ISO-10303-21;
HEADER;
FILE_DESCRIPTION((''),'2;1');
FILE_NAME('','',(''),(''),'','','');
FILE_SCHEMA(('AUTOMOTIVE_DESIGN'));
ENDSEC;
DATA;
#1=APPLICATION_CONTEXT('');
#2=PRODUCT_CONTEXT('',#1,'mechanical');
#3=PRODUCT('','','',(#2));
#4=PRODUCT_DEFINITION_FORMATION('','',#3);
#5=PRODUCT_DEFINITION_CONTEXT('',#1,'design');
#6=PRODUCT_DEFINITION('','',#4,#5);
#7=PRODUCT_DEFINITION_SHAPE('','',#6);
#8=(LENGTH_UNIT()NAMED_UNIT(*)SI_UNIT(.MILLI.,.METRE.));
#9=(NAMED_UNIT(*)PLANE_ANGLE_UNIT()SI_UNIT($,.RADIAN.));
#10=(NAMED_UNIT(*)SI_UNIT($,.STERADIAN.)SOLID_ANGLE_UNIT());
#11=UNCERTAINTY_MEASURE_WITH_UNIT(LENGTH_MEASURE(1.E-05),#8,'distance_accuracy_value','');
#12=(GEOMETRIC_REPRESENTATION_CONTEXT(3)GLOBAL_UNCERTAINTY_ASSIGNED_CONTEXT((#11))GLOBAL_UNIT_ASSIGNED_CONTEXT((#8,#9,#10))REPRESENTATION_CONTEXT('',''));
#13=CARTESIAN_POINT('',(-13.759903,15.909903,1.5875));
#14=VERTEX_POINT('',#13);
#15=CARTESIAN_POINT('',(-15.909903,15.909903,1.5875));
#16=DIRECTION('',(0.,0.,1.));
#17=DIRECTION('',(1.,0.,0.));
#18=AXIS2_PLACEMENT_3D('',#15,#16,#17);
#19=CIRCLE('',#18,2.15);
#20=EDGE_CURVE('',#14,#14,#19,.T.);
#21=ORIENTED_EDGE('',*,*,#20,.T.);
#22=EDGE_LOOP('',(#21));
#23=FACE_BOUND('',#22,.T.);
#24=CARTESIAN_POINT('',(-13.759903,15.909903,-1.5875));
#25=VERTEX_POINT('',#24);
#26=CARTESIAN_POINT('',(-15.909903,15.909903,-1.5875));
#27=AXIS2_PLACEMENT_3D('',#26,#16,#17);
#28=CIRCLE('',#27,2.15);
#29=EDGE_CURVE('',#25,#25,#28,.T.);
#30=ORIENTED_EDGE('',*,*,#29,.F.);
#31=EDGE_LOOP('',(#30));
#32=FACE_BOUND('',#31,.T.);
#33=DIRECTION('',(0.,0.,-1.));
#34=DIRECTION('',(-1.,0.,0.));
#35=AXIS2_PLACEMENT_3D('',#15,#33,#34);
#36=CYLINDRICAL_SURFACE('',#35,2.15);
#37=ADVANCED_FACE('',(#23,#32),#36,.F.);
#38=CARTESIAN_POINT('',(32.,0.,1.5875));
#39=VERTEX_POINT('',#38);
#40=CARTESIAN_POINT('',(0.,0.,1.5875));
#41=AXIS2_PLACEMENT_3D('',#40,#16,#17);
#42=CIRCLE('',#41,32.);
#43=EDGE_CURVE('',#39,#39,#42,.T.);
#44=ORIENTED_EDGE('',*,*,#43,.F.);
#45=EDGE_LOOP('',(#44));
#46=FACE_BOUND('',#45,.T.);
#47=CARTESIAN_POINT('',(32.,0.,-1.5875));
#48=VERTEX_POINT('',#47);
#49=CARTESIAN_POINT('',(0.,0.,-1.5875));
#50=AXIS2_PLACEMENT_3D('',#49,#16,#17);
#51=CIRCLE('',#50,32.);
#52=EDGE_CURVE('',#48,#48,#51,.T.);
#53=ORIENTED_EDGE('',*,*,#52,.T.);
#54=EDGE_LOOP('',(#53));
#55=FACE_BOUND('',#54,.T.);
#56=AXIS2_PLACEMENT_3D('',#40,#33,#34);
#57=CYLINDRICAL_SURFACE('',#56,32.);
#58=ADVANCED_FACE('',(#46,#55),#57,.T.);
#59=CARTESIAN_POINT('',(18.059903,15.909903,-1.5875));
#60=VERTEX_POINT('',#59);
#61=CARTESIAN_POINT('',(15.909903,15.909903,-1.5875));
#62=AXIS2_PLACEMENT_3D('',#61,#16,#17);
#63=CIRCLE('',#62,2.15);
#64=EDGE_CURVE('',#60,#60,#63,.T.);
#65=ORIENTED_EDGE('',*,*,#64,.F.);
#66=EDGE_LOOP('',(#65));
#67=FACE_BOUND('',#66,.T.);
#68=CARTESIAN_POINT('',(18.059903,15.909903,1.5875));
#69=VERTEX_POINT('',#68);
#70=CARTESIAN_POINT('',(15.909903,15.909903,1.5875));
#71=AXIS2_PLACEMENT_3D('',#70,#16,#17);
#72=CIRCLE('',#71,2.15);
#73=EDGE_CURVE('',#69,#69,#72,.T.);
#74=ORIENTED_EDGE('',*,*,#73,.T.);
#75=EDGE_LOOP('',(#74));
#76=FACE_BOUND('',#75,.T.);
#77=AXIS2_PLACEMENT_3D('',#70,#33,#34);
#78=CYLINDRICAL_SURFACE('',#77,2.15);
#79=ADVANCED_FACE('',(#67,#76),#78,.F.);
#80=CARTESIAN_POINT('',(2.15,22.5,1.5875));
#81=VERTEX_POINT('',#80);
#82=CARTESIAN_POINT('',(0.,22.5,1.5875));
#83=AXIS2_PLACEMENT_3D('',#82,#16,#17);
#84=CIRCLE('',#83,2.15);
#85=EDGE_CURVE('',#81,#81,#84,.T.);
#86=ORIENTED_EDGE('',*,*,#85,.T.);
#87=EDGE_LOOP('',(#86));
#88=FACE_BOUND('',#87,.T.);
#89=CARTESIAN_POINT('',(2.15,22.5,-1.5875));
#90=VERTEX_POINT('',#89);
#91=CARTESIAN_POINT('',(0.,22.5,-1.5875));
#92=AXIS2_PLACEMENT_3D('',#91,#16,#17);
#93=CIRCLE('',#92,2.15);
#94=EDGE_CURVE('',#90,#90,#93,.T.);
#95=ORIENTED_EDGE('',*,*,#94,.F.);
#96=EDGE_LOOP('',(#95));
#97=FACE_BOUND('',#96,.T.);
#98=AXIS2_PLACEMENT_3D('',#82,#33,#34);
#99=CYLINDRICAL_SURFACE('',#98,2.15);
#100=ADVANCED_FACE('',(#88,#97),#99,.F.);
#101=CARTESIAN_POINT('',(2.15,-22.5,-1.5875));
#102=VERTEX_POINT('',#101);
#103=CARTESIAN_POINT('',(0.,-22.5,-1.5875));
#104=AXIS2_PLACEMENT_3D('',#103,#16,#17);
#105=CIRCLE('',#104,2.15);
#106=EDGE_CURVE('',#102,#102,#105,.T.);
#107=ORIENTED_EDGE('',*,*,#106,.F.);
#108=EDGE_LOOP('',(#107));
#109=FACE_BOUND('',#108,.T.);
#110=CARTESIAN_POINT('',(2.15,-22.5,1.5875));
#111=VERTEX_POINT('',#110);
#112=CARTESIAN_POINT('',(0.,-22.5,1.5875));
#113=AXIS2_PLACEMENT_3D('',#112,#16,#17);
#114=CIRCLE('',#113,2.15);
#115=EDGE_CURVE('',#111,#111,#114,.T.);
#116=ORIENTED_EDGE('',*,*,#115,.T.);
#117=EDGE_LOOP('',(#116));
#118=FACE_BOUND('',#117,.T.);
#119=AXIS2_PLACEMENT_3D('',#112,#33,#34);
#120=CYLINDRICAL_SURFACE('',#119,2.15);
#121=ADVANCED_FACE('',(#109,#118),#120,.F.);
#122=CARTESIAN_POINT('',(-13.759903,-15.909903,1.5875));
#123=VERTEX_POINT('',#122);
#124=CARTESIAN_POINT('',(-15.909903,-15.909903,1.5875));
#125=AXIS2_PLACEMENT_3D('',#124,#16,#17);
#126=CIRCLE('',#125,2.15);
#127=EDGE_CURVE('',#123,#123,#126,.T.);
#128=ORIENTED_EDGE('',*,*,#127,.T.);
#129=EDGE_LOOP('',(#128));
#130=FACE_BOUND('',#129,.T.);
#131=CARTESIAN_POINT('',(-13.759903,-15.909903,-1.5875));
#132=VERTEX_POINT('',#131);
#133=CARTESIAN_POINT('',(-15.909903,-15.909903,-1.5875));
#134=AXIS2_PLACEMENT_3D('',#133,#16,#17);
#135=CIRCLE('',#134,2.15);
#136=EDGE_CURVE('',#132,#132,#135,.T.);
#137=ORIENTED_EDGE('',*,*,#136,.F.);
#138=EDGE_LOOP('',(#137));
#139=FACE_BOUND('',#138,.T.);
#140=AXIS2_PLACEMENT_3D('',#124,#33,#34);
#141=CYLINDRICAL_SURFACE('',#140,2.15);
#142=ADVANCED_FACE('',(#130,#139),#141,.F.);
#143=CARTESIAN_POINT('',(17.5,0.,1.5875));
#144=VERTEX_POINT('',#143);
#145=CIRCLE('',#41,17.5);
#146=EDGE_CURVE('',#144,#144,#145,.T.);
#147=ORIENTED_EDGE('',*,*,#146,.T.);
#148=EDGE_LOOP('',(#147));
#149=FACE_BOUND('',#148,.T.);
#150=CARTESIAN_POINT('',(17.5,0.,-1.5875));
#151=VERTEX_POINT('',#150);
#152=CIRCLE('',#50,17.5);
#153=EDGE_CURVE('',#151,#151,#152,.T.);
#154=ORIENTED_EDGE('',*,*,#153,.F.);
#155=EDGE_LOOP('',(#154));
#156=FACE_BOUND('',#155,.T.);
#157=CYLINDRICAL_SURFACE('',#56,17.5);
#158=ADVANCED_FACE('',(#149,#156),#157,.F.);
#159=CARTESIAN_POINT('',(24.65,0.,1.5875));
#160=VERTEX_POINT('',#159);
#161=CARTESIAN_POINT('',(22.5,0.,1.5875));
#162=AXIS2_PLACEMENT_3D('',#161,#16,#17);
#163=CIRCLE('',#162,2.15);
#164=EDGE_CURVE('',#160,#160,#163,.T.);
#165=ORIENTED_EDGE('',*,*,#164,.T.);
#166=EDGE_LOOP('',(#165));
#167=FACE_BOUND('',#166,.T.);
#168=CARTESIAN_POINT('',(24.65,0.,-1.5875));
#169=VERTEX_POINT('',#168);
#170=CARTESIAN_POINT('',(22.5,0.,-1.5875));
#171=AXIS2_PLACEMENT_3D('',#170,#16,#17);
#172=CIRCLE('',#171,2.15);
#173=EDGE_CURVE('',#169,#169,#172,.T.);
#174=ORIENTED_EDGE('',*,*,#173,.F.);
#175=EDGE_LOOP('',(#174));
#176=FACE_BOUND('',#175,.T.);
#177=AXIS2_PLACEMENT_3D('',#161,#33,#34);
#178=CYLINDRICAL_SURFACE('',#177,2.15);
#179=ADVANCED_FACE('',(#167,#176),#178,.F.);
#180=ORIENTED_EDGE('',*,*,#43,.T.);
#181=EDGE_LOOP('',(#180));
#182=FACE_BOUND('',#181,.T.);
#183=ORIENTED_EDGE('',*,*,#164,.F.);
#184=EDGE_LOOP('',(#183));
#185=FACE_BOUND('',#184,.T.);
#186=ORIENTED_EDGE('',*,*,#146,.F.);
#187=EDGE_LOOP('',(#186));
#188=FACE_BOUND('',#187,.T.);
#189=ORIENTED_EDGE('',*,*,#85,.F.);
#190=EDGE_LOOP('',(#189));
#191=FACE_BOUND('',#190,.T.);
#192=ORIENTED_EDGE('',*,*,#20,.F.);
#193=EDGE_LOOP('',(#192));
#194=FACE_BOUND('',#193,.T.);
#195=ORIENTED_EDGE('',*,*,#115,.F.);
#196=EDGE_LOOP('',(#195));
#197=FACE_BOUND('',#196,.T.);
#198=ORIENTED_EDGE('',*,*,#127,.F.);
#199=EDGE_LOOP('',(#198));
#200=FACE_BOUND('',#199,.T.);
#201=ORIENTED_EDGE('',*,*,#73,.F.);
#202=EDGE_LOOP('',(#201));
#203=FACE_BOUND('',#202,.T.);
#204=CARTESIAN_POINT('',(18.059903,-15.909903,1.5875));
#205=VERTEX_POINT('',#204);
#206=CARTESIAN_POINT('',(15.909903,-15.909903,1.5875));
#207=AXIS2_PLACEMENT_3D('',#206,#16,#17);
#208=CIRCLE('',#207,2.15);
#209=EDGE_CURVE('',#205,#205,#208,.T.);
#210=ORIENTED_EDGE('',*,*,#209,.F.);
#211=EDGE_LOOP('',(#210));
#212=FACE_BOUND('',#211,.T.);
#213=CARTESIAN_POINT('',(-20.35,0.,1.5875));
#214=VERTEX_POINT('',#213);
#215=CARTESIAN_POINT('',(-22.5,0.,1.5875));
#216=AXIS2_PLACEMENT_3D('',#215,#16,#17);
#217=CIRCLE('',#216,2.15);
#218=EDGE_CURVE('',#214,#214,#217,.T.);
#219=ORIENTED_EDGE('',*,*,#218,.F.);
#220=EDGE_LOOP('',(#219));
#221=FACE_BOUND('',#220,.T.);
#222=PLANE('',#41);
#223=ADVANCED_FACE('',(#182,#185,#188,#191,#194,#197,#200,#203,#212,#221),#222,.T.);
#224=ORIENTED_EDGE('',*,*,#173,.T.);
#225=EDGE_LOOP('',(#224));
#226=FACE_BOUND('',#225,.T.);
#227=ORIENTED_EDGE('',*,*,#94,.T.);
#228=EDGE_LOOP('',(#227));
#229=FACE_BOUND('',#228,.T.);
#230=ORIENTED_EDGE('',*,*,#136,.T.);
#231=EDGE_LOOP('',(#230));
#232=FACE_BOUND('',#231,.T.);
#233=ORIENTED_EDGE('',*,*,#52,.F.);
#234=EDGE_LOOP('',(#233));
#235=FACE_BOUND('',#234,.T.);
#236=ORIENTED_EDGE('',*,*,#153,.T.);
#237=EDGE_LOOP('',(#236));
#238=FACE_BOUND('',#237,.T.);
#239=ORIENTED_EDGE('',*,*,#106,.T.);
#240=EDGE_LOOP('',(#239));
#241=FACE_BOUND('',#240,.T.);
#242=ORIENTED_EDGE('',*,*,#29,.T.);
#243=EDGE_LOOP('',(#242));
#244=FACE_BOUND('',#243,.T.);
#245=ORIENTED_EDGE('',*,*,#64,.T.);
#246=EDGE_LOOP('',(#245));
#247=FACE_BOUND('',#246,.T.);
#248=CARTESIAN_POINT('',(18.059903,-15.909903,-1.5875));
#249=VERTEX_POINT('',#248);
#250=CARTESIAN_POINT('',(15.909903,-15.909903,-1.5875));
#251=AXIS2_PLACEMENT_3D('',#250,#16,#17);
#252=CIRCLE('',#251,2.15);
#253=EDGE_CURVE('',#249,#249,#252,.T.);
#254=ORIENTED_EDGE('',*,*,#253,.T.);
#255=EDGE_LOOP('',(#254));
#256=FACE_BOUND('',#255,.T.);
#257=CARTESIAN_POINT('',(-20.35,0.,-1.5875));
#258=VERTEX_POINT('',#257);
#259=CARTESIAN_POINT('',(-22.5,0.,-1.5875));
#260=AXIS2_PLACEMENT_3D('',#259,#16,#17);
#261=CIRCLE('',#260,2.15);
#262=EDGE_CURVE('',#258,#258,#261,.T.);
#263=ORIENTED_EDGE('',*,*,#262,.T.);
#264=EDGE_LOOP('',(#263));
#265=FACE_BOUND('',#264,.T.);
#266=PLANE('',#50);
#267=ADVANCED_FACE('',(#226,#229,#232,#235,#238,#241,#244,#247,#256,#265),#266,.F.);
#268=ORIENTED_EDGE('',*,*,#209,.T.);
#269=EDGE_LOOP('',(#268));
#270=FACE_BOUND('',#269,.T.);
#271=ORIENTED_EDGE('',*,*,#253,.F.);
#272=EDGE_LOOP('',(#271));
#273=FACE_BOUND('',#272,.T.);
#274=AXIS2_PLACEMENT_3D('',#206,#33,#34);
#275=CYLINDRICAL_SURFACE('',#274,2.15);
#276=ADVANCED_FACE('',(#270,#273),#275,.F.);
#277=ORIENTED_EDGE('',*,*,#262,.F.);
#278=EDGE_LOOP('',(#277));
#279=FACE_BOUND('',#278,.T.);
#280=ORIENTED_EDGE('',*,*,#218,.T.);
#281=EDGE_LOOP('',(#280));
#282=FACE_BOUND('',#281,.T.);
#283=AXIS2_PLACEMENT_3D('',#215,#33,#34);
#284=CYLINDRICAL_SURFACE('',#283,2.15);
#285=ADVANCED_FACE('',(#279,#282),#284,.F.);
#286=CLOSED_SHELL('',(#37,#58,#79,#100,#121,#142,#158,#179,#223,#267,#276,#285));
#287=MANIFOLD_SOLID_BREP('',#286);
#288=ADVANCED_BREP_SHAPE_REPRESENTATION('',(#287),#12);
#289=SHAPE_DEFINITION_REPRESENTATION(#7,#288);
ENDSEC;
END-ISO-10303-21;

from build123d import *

# Parameters (mm, degrees)
SKETCH1_R           = 32
SKETCH1_R_2         = 17.5
SKETCH1_R_3         = 2.15
BOSS_EXTRUDE1_DEPTH = 1.5875


with BuildPart() as part:
    # Sketch1 → Boss-Extrude1 (new, symmetric)
    with BuildSketch(Plane(origin=(0, 0, 0), x_dir=(0, 1, 0), z_dir=(0, 0, 1))):
        with Locations(Location((0, 0, 0), (0, 0, 270))):
            Circle(SKETCH1_R)
        with Locations(Location((0, 0, 0), (0, 0, 270))):
            Circle(SKETCH1_R_2, mode=Mode.SUBTRACT)
        with Locations(Location((0, 22.5, 0), (0, 0, 270))):
            Circle(SKETCH1_R_3, mode=Mode.SUBTRACT)
        with Locations(Location((15.909902577, 15.909902577, 0), (0, 0, 270))):
            Circle(SKETCH1_R_3, mode=Mode.SUBTRACT)
        with Locations(Location((22.5, 0, 0), (0, 0, 270))):
            Circle(SKETCH1_R_3, mode=Mode.SUBTRACT)
        with Locations(Location((15.909902577, -15.909902577, 0), (0, 0, 270))):
            Circle(SKETCH1_R_3, mode=Mode.SUBTRACT)
        with Locations(Location((0, -22.5, 0), (0, 0, 270))):
            Circle(SKETCH1_R_3, mode=Mode.SUBTRACT)
        with Locations(Location((-15.909902577, -15.909902577, 0), (0, 0, 270))):
            Circle(SKETCH1_R_3, mode=Mode.SUBTRACT)
        with Locations(Location((-22.5, 0, 0), (0, 0, 270))):
            Circle(SKETCH1_R_3, mode=Mode.SUBTRACT)
        with Locations(Location((-15.909902577, 15.909902577, 0), (0, 0, 270))):
            Circle(SKETCH1_R_3, mode=Mode.SUBTRACT)
    extrude(amount=BOSS_EXTRUDE1_DEPTH, both=True)


solid = part.part
